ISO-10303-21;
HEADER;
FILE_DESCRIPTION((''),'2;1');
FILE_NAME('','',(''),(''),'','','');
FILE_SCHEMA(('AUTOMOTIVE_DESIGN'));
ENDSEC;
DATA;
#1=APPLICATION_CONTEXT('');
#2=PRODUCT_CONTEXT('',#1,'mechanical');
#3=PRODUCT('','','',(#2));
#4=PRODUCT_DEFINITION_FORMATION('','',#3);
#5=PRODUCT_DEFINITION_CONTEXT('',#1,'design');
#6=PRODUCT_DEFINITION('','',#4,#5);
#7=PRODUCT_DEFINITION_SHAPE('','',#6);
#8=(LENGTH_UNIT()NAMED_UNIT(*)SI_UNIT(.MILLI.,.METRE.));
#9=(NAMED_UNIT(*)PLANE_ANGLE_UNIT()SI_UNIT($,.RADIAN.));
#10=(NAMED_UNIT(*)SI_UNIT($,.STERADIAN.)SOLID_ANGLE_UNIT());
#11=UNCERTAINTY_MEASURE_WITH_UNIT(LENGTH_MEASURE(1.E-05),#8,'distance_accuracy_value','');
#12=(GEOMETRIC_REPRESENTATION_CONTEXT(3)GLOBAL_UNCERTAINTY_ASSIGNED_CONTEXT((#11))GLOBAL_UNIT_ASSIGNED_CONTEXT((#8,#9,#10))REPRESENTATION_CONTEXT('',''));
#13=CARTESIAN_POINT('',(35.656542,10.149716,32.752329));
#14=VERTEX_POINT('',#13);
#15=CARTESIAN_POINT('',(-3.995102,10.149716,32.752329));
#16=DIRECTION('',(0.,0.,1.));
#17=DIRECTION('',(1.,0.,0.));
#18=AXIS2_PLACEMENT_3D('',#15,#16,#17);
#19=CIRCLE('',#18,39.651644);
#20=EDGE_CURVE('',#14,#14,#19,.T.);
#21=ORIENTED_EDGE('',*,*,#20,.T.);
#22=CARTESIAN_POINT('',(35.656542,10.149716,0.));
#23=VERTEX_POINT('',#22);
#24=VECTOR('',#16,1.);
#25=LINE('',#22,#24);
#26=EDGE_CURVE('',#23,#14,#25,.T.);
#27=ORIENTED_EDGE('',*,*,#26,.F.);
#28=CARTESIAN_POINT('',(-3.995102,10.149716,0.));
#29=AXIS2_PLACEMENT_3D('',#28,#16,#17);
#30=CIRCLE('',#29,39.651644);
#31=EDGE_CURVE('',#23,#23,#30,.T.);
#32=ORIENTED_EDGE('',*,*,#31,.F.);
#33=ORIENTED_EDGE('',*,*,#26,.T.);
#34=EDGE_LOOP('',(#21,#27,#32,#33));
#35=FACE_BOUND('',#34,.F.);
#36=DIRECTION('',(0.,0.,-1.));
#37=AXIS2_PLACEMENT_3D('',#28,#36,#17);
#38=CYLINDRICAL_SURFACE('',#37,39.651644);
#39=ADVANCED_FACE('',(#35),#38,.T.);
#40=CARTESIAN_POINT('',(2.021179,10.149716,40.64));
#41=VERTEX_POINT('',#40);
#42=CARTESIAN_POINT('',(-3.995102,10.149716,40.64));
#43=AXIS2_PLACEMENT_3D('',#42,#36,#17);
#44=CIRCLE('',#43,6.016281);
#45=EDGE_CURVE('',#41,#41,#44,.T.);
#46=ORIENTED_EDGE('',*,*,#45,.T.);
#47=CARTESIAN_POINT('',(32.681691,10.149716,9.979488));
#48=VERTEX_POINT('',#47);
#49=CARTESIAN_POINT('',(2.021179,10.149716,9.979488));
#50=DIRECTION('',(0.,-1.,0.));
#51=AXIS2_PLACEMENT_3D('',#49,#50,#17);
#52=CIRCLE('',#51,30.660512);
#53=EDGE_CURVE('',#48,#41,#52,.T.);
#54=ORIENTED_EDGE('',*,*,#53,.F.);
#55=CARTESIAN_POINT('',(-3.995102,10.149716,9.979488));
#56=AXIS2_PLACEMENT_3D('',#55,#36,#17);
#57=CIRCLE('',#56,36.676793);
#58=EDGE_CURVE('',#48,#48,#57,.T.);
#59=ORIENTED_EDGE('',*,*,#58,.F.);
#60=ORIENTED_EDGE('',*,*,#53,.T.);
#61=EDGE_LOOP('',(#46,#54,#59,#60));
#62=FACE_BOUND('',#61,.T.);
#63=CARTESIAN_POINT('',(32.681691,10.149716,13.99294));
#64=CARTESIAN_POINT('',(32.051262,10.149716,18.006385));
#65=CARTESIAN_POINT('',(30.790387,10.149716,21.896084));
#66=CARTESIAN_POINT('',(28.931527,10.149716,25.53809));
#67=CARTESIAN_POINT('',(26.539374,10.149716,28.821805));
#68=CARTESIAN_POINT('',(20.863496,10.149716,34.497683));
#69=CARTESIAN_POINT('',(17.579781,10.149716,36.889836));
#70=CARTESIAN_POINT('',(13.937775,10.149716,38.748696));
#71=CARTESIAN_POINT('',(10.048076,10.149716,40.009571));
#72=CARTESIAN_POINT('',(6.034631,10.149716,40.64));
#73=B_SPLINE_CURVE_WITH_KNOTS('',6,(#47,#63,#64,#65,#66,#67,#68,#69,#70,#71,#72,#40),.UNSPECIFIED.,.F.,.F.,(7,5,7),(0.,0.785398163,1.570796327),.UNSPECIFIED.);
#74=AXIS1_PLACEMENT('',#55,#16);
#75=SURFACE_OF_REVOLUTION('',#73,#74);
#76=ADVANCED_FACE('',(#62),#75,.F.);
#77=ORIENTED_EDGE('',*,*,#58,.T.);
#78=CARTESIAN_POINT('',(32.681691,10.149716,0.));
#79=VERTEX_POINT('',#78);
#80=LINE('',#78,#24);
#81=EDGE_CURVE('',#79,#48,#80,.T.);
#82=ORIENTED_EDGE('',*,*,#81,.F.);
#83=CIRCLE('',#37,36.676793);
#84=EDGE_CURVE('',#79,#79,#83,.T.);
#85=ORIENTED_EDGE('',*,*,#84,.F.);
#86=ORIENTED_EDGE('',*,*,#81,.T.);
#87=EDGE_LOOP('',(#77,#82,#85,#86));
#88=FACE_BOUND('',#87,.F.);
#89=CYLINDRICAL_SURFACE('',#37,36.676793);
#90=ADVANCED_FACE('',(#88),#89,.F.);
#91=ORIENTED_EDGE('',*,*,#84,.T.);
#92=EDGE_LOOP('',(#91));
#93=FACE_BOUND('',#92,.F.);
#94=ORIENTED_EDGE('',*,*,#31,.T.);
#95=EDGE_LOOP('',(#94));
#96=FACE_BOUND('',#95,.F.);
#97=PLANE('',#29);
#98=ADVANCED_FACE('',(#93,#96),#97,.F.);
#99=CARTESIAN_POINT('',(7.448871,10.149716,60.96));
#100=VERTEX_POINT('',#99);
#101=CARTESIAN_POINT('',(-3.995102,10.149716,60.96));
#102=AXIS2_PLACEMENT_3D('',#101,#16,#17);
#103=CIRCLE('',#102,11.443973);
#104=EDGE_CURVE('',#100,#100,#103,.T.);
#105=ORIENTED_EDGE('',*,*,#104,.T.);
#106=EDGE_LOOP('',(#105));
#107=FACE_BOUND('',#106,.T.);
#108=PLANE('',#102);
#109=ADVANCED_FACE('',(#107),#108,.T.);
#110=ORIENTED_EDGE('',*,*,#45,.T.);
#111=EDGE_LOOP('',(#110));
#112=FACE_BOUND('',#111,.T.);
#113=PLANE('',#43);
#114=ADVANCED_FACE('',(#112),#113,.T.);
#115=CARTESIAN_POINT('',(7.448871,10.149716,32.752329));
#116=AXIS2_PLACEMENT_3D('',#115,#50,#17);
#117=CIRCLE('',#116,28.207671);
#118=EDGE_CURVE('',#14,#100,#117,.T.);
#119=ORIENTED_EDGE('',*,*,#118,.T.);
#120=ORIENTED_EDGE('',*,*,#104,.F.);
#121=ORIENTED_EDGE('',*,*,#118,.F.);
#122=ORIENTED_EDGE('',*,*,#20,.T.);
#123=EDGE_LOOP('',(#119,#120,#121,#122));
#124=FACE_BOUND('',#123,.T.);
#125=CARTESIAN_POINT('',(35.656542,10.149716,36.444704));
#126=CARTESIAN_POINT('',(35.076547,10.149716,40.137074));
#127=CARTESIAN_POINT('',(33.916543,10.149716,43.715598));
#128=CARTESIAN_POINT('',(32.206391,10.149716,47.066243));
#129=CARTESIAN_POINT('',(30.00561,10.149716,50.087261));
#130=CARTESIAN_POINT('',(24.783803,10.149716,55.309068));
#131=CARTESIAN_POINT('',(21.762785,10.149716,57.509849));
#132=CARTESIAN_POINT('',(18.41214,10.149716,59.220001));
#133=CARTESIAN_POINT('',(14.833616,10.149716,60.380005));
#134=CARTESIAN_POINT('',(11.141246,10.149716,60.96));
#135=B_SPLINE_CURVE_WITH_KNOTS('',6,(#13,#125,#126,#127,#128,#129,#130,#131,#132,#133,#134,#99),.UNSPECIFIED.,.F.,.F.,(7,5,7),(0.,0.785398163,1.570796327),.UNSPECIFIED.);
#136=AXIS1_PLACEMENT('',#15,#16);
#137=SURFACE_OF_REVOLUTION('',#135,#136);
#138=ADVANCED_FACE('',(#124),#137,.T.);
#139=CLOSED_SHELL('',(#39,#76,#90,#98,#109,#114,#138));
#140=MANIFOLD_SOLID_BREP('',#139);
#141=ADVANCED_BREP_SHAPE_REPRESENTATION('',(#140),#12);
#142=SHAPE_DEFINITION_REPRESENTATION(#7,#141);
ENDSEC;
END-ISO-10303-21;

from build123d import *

# Parameters (mm, degrees)
F0_R     = 39.651644
F1_DEPTH = 60.96
F2_R     = 28.207671
F3_R     = 36.676793
F4_DEPTH = 40.64
F5_R     = 30.660512


with BuildPart() as f1:
    # F0 (on Top) → F1 (new body)
    with BuildSketch(Plane.XY):
        with Locations((-3.995102, 10.149716)):
            Circle(F0_R)
    extrude(amount=F1_DEPTH)

    # F2
    f2_edges = [f1.edges().sort_by_distance(p)[0] for p in [
        (-43.646746, 10.149716, 60.96),
    ]]
    fillet(f2_edges, radius=F2_R)

    # F3 (on face) → F4 (cut)
    with BuildSketch(Plane(origin=(0, 0, 0), x_dir=(1, 0, 0), z_dir=(0, 0, -1))):
        with Locations((-3.995102, -10.149716)):
            Circle(F3_R)
    extrude(amount=-F4_DEPTH, mode=Mode.SUBTRACT)

    # F5
    f5_edges = [f1.edges().sort_by_distance(p)[0] for p in [
        (-40.671895, 10.149716, 40.64),
    ]]
    fillet(f5_edges, radius=F5_R)


solid = f1.part
